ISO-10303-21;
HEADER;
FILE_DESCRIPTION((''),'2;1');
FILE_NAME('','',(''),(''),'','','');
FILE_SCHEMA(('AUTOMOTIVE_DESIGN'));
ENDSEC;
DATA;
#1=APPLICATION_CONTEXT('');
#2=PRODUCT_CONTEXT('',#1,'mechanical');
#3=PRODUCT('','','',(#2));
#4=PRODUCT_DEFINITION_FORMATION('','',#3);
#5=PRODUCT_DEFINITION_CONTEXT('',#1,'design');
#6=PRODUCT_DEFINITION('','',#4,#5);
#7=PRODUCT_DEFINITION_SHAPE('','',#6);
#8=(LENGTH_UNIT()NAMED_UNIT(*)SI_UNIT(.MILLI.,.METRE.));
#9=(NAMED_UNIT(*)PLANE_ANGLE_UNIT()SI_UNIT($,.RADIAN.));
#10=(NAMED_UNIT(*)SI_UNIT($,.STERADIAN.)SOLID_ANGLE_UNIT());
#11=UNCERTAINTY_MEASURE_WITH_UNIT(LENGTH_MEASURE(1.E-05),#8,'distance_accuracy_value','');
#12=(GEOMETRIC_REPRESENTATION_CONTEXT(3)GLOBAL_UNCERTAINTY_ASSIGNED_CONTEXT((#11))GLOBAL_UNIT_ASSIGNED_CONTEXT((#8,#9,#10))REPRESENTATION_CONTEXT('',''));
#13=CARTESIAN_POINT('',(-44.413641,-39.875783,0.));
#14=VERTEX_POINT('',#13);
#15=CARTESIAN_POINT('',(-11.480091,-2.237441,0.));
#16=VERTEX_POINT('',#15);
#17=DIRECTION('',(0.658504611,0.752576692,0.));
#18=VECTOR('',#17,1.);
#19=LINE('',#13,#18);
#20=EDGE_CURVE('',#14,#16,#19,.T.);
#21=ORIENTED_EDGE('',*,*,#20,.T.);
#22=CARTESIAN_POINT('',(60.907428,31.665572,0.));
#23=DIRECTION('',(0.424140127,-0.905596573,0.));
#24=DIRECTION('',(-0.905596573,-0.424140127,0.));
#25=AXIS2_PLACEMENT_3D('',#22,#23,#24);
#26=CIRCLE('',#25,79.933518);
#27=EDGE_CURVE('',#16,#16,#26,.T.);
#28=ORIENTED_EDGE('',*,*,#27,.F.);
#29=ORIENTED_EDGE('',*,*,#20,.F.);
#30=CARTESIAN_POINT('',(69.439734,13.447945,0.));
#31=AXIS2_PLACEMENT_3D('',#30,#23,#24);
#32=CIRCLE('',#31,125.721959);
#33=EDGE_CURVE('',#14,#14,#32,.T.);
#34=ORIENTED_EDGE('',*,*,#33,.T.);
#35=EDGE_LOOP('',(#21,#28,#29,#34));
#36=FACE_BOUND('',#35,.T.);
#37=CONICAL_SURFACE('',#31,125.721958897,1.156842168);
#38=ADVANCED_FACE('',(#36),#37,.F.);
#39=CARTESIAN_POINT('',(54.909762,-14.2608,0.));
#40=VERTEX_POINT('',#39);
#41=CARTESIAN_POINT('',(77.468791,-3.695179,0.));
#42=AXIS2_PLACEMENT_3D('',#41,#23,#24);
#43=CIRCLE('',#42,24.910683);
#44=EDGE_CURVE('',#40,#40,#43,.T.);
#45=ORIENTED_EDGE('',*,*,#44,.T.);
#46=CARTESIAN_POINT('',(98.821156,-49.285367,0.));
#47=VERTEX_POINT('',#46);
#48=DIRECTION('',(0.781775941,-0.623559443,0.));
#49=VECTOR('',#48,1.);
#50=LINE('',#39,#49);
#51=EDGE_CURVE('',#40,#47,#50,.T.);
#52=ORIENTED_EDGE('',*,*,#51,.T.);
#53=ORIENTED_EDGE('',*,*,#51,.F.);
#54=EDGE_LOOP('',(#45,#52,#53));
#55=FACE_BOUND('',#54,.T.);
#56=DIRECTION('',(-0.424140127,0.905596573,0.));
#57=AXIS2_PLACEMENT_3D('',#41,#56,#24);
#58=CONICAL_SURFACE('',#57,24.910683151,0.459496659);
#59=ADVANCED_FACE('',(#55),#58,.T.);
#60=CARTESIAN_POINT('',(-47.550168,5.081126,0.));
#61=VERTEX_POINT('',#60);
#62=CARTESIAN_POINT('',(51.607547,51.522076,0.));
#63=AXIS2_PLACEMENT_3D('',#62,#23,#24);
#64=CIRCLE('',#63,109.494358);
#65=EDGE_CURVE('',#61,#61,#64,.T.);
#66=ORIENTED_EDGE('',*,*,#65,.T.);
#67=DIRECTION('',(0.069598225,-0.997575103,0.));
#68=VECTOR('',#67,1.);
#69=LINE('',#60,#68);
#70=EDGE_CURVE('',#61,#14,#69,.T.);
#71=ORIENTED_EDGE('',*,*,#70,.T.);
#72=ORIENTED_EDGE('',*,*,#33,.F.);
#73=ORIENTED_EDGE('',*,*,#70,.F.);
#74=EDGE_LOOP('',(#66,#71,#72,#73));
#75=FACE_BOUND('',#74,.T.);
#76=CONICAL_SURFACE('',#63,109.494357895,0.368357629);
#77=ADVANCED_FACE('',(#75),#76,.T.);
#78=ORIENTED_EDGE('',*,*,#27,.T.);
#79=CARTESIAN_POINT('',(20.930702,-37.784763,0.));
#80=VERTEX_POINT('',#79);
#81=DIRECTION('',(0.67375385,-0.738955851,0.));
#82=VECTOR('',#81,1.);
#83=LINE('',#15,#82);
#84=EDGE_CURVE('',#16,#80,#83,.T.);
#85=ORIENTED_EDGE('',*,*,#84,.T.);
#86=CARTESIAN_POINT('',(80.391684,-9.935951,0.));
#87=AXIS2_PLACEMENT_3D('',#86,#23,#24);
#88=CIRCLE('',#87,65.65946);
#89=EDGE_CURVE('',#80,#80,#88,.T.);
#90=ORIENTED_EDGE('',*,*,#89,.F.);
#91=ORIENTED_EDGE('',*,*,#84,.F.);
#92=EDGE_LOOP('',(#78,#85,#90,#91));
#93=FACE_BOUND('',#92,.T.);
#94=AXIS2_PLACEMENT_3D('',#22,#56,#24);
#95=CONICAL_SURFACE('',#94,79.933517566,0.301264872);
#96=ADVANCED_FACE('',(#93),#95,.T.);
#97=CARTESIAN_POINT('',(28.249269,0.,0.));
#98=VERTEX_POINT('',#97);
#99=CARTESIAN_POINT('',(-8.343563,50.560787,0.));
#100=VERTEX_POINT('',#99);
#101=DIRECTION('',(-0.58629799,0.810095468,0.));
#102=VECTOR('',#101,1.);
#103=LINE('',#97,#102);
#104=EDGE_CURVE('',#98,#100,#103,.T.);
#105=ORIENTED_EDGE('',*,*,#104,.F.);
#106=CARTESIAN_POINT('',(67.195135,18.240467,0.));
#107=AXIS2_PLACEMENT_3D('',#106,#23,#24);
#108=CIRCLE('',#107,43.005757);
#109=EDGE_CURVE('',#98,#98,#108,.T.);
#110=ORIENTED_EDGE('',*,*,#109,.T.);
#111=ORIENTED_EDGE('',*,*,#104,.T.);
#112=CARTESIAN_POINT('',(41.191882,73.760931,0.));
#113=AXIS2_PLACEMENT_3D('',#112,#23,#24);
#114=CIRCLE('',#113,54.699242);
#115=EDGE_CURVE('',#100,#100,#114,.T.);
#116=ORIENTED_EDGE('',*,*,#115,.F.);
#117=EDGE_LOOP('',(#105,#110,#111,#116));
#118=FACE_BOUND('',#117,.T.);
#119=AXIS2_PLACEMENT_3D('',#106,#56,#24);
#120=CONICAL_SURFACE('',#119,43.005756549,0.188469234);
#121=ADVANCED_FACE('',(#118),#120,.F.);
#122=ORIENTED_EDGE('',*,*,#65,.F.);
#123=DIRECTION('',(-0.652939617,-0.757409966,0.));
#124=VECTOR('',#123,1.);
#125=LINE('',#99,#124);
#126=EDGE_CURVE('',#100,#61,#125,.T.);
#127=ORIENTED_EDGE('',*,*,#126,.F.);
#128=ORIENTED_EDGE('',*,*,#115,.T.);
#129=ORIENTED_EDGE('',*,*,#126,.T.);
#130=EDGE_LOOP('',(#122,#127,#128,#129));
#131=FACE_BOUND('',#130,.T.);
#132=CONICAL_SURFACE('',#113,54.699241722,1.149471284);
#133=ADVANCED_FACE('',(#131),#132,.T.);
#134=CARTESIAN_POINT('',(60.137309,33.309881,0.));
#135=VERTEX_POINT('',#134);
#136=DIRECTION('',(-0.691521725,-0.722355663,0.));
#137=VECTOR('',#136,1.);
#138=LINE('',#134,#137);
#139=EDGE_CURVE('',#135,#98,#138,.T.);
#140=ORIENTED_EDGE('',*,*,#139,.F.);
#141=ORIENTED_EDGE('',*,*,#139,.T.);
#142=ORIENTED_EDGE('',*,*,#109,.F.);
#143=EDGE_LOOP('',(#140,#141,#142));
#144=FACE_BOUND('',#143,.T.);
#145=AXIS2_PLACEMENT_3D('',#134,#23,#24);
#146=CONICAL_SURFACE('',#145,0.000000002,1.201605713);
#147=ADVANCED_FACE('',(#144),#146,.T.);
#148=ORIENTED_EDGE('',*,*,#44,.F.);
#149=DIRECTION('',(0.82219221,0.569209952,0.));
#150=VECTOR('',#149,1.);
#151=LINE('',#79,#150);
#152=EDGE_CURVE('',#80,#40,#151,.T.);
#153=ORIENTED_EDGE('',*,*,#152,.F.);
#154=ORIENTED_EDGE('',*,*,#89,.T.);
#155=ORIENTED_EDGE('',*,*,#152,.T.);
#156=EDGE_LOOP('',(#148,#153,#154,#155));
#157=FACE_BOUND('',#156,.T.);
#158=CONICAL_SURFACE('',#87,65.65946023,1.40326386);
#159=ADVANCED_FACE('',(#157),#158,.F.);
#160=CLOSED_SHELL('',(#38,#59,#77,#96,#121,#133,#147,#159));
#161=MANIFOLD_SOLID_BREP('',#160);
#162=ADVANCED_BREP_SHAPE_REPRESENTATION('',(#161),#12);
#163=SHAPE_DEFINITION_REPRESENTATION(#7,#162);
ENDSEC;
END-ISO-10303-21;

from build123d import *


with BuildPart() as f1:
    # F0 (on Top) → F1 (revolve)
    with BuildSketch(Plane.XY):
        Polygon((-8.3435634151, 50.5607873201), (-47.5501678884, 5.0811255351), (-44.4136410952, -39.8757830262), (-11.4800911397, -2.2374405526), (20.9307018667, -37.7847626805), (54.9097619951, -14.260799624), (98.8211557269, -49.2853671312), (60.137309134, 33.3098806441), (28.2492693514, 0), align=None)
    revolve(axis=Axis((79.4792324305, -7.9877432436, 0), (0.4241401272, -0.9055965727, 0)))


solid = f1.part
